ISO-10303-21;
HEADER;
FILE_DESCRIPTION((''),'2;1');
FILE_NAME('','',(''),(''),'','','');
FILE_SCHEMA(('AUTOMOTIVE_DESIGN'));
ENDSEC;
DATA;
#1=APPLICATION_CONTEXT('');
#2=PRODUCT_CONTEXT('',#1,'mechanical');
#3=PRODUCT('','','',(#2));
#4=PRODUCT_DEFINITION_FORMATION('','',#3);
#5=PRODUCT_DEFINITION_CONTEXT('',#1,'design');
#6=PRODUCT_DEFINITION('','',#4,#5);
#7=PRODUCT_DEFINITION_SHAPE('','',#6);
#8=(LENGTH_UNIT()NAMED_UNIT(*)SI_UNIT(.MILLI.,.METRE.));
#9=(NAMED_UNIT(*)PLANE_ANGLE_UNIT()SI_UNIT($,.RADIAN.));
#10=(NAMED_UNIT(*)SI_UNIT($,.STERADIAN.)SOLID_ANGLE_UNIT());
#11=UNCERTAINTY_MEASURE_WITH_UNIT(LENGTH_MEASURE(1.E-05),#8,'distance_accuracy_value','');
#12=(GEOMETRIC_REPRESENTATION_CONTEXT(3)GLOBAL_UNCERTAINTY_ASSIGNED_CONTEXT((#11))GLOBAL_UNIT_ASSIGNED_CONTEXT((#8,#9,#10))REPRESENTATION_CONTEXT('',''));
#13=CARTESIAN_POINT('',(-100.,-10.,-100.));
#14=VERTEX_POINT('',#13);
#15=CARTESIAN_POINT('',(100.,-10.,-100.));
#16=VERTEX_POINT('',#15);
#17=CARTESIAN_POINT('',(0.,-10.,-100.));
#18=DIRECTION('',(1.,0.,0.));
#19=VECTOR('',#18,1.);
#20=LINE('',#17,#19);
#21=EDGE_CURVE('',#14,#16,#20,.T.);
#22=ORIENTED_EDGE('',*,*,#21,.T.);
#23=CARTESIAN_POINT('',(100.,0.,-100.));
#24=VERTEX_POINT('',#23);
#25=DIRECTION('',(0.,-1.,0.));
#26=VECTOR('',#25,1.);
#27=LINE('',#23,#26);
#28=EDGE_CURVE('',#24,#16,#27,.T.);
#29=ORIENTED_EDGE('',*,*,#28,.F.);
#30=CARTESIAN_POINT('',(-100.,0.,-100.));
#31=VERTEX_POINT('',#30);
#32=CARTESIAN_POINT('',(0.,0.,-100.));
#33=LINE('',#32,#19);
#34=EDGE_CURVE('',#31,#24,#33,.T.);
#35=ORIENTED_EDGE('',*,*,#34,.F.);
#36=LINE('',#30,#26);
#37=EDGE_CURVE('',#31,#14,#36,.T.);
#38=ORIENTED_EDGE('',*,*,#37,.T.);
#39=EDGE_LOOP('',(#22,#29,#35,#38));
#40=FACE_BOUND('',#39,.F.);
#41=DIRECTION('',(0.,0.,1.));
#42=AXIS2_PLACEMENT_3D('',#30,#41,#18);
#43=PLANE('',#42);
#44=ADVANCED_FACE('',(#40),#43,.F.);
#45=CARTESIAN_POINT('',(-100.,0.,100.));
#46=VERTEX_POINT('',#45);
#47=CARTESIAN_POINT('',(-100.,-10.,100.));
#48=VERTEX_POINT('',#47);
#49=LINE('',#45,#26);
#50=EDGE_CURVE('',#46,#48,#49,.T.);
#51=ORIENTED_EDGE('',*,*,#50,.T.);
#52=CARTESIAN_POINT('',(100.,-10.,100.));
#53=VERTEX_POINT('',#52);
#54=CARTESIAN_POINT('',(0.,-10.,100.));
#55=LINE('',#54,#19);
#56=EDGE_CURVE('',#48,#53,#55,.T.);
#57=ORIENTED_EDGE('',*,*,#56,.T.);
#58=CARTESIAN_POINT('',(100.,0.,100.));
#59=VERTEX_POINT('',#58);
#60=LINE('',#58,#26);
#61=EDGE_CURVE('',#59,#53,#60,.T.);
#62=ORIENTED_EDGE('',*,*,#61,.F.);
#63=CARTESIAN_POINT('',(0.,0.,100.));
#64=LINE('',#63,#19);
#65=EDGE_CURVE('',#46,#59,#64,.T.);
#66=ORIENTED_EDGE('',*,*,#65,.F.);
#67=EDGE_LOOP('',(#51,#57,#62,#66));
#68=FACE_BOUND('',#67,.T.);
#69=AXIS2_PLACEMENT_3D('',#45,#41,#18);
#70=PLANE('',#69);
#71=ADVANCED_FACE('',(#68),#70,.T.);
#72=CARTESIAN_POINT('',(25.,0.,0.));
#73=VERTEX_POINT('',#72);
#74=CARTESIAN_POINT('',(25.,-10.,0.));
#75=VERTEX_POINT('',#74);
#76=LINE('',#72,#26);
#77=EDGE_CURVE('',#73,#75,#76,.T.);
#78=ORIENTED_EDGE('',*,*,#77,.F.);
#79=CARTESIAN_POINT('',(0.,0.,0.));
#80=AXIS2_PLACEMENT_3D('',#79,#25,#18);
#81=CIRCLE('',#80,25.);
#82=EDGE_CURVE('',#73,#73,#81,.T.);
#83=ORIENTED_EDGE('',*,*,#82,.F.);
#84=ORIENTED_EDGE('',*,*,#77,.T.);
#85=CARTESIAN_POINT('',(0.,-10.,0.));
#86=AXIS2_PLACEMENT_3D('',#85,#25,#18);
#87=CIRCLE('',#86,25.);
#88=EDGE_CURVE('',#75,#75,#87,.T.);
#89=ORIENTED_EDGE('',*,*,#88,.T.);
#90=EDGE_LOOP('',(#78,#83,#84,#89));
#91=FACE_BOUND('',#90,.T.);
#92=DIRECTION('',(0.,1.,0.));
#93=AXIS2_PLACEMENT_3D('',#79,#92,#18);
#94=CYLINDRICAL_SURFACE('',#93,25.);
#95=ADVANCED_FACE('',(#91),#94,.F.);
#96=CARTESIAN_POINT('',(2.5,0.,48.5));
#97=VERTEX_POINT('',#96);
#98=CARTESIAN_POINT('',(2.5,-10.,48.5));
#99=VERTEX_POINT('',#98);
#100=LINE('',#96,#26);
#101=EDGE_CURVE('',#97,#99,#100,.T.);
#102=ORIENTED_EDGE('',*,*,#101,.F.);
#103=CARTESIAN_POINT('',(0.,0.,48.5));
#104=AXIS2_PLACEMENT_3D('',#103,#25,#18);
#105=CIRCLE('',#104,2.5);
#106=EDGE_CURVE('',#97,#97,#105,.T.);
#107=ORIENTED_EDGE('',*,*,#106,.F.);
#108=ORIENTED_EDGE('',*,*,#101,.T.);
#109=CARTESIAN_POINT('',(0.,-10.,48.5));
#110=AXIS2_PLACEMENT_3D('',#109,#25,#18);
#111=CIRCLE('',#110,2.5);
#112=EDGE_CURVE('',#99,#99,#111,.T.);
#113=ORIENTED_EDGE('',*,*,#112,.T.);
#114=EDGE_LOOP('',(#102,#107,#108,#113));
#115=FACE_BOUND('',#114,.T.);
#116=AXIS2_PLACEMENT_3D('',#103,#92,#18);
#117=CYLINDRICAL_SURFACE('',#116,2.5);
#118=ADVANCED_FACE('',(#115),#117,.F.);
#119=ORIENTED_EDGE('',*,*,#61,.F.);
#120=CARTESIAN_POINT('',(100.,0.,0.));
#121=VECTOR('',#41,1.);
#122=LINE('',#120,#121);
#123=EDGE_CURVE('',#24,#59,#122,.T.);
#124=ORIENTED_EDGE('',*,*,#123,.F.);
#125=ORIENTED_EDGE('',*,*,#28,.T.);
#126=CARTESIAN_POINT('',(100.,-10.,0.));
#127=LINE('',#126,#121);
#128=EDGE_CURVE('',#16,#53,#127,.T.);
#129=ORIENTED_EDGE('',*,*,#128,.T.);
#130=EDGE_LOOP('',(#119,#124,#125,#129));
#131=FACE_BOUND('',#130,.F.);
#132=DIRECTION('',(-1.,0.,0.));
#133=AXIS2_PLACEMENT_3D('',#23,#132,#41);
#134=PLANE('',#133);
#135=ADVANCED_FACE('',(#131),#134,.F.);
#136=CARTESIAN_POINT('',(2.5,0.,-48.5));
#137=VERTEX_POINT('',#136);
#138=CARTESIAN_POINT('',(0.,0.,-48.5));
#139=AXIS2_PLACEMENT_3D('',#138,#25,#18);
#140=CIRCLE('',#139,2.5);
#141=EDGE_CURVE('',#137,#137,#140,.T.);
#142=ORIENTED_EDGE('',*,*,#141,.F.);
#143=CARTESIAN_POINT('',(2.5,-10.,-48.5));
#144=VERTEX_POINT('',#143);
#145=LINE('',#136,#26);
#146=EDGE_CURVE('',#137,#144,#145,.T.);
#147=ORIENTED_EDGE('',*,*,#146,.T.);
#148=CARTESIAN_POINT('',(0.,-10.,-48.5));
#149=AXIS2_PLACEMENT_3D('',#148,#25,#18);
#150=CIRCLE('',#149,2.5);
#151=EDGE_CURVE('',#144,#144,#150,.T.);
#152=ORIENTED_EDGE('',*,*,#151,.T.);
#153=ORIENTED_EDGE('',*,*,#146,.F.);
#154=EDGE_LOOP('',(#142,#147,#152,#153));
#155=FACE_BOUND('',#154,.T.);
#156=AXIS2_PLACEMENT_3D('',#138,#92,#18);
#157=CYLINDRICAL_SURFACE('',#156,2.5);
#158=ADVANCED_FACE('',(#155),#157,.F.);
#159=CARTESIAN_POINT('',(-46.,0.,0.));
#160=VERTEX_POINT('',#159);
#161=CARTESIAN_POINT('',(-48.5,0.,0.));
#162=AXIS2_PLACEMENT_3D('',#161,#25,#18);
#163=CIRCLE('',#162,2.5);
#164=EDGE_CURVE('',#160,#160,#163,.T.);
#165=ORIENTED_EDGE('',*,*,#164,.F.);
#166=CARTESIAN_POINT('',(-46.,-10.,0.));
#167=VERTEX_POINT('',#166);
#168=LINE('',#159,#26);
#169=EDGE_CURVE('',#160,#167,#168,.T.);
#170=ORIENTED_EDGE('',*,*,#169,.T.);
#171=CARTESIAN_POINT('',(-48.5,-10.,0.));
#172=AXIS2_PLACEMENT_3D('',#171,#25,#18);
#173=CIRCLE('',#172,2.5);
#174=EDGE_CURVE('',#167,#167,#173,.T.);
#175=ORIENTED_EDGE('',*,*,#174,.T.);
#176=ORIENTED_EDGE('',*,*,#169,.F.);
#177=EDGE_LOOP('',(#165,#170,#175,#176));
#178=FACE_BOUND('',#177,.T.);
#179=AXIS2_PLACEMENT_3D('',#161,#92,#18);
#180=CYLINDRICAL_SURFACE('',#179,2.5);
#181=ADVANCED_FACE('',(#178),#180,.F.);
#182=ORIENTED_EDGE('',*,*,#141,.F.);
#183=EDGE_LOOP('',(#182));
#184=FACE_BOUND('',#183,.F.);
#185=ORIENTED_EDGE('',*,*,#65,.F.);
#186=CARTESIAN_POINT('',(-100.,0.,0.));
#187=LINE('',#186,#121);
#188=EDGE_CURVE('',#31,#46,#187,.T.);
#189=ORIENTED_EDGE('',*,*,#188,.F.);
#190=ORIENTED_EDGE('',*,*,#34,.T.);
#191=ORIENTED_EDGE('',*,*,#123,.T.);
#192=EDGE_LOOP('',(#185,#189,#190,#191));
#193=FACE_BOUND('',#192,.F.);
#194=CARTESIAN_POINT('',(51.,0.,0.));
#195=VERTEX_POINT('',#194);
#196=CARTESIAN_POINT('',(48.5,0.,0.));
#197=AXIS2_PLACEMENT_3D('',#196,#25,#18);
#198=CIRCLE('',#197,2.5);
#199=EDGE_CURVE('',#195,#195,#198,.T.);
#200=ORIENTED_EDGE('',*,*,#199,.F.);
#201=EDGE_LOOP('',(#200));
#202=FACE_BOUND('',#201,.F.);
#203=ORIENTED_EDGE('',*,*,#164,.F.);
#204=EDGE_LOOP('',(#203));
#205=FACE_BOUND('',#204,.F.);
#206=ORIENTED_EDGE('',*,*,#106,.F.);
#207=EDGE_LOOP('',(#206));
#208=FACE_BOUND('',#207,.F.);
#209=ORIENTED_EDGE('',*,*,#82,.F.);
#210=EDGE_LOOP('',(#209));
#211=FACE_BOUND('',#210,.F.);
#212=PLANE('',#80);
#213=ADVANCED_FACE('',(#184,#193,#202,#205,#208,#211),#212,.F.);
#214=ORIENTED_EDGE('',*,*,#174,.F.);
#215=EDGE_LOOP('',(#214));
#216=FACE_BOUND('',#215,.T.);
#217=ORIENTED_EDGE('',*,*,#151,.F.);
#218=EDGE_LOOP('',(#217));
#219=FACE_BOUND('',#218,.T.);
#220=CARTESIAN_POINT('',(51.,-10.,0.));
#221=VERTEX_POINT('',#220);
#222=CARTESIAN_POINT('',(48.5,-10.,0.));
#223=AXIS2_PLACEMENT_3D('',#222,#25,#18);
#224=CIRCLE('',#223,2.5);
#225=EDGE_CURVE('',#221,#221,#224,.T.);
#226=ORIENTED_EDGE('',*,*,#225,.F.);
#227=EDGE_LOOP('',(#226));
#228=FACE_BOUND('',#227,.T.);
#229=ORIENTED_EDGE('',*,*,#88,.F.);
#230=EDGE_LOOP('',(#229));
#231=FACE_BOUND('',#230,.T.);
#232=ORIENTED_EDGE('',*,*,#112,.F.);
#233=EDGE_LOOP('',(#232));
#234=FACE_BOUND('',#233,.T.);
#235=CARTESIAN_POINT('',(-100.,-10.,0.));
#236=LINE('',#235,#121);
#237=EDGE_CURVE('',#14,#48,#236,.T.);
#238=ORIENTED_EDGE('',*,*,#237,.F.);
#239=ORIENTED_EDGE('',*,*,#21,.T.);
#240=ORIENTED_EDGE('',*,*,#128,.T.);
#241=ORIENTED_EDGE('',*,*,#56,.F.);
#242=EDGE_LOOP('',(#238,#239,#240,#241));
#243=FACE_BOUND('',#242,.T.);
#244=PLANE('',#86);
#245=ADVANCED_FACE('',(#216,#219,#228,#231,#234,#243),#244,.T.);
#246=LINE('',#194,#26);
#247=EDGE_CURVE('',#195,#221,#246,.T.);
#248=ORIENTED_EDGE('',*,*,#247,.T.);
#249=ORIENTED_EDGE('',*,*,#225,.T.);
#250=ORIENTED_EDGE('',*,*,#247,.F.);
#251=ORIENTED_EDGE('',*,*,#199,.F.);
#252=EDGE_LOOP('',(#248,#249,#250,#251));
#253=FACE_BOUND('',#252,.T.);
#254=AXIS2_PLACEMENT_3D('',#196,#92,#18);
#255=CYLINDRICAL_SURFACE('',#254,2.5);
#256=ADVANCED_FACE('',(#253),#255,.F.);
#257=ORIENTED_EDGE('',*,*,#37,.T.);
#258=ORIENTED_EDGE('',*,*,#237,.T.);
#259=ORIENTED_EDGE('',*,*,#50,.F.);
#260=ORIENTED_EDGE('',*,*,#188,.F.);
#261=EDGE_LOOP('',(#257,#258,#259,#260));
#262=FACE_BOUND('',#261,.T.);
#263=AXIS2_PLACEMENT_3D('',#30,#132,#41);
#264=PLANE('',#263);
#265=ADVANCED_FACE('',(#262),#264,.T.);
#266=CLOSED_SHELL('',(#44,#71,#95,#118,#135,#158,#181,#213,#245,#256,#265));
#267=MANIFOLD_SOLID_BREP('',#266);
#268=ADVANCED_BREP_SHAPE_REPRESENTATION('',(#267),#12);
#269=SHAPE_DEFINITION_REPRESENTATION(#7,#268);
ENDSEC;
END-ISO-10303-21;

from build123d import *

# Parameters (mm, degrees)
F0_W     = 200
F0_H     = 200
F0_R     = 2.5
F0_R_2   = 25
F1_DEPTH = 10


with BuildPart() as f1:
    # F0 (on Front) → F1 (new body)
    with BuildSketch(Plane.XZ):
        Rectangle(F0_W, F0_H)
        with Locations((0, -48.5)):
            Circle(F0_R, mode=Mode.SUBTRACT)
        with Locations((-48.5, 0)):
            Circle(F0_R, mode=Mode.SUBTRACT)
        Circle(F0_R_2, mode=Mode.SUBTRACT)
        with Locations((48.5, 0)):
            Circle(F0_R, mode=Mode.SUBTRACT)
        with Locations((0, 48.5)):
            Circle(F0_R, mode=Mode.SUBTRACT)
    extrude(amount=F1_DEPTH)


solid = f1.part
